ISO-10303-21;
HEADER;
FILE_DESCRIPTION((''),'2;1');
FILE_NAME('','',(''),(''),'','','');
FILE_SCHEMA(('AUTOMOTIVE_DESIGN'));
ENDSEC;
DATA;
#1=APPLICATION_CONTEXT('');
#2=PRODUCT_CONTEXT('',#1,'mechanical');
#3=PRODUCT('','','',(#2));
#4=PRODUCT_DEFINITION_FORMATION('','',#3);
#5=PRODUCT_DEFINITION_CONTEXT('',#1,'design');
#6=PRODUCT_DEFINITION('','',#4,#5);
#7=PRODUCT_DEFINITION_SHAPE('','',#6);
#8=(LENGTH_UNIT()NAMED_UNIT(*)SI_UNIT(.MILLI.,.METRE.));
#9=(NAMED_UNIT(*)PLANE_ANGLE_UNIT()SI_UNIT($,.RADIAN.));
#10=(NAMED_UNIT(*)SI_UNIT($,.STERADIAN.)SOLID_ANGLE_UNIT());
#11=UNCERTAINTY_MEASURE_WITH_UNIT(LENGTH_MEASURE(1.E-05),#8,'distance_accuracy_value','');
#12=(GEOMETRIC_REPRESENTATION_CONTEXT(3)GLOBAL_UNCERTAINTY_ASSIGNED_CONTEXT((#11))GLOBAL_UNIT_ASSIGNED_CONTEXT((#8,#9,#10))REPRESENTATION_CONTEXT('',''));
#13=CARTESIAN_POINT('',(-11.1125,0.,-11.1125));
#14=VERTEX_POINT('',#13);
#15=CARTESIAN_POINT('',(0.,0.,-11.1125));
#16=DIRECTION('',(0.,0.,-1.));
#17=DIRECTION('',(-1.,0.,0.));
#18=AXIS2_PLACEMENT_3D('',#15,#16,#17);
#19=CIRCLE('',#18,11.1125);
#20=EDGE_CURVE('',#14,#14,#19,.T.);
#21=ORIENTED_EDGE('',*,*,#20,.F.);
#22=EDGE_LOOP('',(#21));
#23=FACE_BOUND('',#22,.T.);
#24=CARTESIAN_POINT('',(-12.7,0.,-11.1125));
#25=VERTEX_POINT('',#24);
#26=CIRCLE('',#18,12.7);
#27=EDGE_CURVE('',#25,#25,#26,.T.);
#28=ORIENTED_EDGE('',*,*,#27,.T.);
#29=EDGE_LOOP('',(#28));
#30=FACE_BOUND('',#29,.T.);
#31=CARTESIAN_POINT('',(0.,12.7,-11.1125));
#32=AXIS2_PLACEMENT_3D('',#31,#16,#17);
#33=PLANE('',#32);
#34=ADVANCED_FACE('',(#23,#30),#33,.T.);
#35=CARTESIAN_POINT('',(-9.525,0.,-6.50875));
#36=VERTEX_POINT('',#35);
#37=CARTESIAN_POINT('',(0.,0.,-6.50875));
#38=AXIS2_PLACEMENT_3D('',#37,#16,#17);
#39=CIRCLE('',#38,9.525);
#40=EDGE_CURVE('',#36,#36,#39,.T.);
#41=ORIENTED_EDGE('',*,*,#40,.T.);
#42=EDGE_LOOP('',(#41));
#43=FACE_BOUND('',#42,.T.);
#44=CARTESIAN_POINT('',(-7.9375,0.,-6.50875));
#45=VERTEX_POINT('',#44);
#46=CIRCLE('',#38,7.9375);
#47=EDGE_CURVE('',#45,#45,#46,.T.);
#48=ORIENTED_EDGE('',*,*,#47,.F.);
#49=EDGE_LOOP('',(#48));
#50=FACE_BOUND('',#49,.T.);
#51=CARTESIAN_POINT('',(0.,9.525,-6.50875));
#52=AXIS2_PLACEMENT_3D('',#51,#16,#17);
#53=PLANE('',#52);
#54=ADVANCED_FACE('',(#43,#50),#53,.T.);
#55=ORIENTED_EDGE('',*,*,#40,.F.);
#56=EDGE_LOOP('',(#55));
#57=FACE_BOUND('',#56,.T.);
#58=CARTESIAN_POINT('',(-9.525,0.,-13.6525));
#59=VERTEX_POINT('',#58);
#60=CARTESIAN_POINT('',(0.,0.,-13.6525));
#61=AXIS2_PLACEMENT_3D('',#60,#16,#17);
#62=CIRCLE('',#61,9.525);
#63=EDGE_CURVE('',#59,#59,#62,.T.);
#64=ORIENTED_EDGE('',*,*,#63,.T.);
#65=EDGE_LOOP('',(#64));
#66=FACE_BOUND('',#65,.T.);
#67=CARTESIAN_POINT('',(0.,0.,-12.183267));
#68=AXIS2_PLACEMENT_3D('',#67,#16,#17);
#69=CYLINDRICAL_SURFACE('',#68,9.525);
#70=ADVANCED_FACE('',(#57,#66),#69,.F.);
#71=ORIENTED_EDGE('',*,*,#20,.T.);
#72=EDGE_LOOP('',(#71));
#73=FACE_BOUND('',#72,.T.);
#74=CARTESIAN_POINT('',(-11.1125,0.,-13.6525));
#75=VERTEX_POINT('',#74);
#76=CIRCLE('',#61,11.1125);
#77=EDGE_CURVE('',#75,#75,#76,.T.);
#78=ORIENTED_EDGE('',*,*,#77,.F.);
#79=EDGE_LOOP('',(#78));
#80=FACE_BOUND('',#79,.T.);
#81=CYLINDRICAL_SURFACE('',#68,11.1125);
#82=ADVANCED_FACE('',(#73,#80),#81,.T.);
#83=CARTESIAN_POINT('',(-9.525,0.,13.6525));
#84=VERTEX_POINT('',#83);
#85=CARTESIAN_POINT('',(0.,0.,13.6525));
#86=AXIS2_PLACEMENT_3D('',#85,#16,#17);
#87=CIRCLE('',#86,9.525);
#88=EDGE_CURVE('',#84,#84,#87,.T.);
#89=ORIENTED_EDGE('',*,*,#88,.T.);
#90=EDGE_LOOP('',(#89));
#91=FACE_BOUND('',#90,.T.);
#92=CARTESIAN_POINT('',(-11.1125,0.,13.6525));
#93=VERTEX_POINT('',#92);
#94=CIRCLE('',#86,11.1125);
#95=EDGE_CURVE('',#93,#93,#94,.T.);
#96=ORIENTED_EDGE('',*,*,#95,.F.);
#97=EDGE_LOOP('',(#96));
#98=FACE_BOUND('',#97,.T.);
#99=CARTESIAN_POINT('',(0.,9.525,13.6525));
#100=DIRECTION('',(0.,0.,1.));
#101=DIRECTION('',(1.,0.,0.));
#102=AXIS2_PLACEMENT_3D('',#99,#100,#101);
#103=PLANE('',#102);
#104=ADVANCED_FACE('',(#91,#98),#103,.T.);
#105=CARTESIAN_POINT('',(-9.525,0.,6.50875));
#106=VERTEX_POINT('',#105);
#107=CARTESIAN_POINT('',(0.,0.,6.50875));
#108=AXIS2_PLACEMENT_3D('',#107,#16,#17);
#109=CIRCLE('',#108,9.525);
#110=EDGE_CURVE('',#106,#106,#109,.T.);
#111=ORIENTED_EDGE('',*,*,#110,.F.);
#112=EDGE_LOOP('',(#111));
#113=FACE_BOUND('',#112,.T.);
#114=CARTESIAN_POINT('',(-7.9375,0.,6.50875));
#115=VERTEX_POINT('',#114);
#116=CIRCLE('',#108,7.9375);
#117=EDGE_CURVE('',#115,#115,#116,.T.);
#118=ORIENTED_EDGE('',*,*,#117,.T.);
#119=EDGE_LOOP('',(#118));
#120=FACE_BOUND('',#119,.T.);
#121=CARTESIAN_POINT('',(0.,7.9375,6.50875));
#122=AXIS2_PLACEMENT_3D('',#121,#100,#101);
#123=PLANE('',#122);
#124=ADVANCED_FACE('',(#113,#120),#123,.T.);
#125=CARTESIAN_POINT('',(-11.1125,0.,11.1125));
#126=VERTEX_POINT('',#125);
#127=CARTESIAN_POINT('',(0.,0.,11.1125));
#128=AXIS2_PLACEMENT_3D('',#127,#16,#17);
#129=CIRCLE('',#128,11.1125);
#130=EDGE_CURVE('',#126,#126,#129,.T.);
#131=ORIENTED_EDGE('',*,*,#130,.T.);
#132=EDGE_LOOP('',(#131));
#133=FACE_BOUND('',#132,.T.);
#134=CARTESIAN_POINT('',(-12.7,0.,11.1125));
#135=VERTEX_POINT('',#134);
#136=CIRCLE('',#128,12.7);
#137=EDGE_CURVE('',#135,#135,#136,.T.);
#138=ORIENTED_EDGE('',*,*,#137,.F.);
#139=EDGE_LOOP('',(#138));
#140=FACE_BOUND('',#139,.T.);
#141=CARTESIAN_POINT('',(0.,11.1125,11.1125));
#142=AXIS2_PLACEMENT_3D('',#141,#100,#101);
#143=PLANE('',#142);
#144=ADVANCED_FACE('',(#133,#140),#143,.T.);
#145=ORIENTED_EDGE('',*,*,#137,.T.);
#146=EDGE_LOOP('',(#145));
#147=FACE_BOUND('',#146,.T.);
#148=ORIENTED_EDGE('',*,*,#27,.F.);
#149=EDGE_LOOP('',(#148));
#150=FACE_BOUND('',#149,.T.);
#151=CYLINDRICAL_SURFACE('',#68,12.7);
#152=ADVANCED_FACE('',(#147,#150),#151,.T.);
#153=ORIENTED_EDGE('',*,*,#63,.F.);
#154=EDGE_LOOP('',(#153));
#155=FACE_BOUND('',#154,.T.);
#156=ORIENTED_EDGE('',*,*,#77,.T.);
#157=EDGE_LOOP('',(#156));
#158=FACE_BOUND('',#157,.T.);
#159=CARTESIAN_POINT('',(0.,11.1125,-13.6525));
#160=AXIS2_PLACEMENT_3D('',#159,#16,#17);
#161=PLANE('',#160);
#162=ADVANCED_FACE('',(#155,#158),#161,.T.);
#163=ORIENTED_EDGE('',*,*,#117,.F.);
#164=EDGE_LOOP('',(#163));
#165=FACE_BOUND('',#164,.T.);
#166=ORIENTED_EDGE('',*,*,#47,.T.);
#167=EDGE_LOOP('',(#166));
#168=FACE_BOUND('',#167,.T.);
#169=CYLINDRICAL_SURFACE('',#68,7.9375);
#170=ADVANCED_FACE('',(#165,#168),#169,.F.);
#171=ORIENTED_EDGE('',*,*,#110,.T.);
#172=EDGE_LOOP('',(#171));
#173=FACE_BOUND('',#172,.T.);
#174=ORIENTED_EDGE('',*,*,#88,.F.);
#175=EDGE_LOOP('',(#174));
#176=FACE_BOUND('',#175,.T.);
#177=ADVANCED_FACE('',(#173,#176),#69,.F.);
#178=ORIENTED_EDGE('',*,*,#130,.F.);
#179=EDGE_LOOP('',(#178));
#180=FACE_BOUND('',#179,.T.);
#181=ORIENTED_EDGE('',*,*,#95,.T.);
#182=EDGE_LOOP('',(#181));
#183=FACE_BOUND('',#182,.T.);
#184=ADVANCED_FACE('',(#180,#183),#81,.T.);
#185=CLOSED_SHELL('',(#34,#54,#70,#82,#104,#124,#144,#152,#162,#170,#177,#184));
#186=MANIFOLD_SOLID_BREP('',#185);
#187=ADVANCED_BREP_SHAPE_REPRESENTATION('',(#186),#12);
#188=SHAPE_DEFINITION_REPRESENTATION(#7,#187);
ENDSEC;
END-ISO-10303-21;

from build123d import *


with BuildPart() as part:
    # Sketch1 → Revolve1 (revolve)
    with BuildSketch(Plane(origin=(0, 0, 0), x_dir=(0, 0, -1), z_dir=(1, 0, 0)), mode=Mode.PRIVATE) as revolve1_sk:
        Polygon((-11.1125, 12.7), (11.1125, 12.7), (11.1125, 11.1125), (13.6525, 11.1125), (13.6525, 9.525), (6.50875, 9.525), (6.50875, 7.9375), (-6.50875, 7.9375), (-6.50875, 9.525), (-13.6525, 9.525), (-13.6525, 11.1125), (-11.1125, 11.1125), align=None)
    revolve(revolve1_sk.sketch.rotate(Axis((0, 0, -12.18326746), (0, 0, 1)), 90), axis=Axis((0, 0, -12.18326746), (0, 0, 1)))


solid = part.part
